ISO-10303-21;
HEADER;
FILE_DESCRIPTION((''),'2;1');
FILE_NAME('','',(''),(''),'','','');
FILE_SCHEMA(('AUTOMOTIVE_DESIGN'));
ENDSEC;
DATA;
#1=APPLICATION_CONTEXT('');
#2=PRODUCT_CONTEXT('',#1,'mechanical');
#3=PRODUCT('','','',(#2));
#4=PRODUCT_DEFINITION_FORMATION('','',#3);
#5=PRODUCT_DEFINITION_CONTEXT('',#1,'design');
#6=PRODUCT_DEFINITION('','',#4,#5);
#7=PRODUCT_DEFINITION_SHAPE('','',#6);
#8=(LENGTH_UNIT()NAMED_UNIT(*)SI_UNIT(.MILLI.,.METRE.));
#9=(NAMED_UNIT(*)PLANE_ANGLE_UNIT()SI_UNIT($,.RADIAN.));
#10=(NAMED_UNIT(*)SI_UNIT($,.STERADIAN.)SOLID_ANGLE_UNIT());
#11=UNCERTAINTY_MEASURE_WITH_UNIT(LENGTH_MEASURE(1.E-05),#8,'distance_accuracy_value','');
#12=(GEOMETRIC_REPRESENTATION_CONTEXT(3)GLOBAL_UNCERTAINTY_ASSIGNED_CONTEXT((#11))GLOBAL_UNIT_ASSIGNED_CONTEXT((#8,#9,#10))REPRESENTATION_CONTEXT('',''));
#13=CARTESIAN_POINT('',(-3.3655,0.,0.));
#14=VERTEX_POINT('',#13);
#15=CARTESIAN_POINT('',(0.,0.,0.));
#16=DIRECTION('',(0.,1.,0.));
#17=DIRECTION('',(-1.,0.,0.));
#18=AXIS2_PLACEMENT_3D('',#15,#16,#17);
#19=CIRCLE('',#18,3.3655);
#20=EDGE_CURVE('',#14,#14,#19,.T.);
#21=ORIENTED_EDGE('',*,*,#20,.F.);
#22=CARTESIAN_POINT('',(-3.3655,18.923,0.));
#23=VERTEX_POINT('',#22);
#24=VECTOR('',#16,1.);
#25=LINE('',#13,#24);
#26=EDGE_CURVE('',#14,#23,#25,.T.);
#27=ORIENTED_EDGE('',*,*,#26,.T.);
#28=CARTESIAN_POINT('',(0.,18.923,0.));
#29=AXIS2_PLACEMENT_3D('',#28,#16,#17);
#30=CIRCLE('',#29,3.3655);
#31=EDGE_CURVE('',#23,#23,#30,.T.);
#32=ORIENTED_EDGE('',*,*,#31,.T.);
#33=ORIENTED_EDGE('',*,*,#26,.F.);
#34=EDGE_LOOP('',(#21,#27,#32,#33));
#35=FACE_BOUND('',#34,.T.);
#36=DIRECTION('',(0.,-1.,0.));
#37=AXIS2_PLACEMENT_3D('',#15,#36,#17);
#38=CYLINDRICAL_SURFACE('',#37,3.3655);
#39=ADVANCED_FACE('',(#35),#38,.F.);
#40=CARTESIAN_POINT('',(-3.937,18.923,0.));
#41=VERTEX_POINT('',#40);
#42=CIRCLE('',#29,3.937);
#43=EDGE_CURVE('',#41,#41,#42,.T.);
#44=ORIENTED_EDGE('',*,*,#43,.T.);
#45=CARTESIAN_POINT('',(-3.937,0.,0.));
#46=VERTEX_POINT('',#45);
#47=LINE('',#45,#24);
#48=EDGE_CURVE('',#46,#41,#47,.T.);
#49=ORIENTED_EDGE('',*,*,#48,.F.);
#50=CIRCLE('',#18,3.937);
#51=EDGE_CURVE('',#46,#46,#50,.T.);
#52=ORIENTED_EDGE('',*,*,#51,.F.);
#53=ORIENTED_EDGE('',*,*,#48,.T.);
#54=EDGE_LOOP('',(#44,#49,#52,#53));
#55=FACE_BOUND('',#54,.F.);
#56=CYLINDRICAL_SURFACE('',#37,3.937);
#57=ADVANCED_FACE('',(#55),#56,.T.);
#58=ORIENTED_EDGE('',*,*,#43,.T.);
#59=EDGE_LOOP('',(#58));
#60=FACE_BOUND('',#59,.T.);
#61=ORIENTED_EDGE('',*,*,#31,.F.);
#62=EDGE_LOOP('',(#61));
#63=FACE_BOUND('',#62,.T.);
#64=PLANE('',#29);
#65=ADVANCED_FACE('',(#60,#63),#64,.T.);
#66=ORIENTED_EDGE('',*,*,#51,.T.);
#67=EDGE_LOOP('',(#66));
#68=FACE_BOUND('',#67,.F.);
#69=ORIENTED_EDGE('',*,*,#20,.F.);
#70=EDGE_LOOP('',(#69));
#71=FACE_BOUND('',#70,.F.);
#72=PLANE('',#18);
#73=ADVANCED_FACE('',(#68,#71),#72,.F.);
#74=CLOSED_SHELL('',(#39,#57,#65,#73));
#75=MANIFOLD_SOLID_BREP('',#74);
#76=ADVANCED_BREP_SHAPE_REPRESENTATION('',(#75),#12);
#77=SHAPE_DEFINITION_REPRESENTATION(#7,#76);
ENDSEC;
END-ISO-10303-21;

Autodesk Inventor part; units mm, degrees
ref_plane "YZ Plane" through (0, 0, 0) normal (1, 0, 0) x (0, 1, 0)
ref_plane "XZ Plane" through (0, 0, 0) normal (0, 1, 0) x (-1, 0, 0)
ref_plane "XY Plane" through (0, 0, 0) normal (0, 0, 1) x (1, 0, 0)
sketch "Sketch1" plane through (0, 0, 0) normal (0, 1, 0) x (-1, 0, 0)
  circle A0 centre (0, 0) radius 3.3655
  circle A1 centre (0, 0) radius 3.937
  dimension "d0" = 6.731
  dimension "d1" = 7.874
extrude "Extrusion1" add sketch "Sketch1" along normal blind 18.923
properties part number "servo shaft spacer short"
